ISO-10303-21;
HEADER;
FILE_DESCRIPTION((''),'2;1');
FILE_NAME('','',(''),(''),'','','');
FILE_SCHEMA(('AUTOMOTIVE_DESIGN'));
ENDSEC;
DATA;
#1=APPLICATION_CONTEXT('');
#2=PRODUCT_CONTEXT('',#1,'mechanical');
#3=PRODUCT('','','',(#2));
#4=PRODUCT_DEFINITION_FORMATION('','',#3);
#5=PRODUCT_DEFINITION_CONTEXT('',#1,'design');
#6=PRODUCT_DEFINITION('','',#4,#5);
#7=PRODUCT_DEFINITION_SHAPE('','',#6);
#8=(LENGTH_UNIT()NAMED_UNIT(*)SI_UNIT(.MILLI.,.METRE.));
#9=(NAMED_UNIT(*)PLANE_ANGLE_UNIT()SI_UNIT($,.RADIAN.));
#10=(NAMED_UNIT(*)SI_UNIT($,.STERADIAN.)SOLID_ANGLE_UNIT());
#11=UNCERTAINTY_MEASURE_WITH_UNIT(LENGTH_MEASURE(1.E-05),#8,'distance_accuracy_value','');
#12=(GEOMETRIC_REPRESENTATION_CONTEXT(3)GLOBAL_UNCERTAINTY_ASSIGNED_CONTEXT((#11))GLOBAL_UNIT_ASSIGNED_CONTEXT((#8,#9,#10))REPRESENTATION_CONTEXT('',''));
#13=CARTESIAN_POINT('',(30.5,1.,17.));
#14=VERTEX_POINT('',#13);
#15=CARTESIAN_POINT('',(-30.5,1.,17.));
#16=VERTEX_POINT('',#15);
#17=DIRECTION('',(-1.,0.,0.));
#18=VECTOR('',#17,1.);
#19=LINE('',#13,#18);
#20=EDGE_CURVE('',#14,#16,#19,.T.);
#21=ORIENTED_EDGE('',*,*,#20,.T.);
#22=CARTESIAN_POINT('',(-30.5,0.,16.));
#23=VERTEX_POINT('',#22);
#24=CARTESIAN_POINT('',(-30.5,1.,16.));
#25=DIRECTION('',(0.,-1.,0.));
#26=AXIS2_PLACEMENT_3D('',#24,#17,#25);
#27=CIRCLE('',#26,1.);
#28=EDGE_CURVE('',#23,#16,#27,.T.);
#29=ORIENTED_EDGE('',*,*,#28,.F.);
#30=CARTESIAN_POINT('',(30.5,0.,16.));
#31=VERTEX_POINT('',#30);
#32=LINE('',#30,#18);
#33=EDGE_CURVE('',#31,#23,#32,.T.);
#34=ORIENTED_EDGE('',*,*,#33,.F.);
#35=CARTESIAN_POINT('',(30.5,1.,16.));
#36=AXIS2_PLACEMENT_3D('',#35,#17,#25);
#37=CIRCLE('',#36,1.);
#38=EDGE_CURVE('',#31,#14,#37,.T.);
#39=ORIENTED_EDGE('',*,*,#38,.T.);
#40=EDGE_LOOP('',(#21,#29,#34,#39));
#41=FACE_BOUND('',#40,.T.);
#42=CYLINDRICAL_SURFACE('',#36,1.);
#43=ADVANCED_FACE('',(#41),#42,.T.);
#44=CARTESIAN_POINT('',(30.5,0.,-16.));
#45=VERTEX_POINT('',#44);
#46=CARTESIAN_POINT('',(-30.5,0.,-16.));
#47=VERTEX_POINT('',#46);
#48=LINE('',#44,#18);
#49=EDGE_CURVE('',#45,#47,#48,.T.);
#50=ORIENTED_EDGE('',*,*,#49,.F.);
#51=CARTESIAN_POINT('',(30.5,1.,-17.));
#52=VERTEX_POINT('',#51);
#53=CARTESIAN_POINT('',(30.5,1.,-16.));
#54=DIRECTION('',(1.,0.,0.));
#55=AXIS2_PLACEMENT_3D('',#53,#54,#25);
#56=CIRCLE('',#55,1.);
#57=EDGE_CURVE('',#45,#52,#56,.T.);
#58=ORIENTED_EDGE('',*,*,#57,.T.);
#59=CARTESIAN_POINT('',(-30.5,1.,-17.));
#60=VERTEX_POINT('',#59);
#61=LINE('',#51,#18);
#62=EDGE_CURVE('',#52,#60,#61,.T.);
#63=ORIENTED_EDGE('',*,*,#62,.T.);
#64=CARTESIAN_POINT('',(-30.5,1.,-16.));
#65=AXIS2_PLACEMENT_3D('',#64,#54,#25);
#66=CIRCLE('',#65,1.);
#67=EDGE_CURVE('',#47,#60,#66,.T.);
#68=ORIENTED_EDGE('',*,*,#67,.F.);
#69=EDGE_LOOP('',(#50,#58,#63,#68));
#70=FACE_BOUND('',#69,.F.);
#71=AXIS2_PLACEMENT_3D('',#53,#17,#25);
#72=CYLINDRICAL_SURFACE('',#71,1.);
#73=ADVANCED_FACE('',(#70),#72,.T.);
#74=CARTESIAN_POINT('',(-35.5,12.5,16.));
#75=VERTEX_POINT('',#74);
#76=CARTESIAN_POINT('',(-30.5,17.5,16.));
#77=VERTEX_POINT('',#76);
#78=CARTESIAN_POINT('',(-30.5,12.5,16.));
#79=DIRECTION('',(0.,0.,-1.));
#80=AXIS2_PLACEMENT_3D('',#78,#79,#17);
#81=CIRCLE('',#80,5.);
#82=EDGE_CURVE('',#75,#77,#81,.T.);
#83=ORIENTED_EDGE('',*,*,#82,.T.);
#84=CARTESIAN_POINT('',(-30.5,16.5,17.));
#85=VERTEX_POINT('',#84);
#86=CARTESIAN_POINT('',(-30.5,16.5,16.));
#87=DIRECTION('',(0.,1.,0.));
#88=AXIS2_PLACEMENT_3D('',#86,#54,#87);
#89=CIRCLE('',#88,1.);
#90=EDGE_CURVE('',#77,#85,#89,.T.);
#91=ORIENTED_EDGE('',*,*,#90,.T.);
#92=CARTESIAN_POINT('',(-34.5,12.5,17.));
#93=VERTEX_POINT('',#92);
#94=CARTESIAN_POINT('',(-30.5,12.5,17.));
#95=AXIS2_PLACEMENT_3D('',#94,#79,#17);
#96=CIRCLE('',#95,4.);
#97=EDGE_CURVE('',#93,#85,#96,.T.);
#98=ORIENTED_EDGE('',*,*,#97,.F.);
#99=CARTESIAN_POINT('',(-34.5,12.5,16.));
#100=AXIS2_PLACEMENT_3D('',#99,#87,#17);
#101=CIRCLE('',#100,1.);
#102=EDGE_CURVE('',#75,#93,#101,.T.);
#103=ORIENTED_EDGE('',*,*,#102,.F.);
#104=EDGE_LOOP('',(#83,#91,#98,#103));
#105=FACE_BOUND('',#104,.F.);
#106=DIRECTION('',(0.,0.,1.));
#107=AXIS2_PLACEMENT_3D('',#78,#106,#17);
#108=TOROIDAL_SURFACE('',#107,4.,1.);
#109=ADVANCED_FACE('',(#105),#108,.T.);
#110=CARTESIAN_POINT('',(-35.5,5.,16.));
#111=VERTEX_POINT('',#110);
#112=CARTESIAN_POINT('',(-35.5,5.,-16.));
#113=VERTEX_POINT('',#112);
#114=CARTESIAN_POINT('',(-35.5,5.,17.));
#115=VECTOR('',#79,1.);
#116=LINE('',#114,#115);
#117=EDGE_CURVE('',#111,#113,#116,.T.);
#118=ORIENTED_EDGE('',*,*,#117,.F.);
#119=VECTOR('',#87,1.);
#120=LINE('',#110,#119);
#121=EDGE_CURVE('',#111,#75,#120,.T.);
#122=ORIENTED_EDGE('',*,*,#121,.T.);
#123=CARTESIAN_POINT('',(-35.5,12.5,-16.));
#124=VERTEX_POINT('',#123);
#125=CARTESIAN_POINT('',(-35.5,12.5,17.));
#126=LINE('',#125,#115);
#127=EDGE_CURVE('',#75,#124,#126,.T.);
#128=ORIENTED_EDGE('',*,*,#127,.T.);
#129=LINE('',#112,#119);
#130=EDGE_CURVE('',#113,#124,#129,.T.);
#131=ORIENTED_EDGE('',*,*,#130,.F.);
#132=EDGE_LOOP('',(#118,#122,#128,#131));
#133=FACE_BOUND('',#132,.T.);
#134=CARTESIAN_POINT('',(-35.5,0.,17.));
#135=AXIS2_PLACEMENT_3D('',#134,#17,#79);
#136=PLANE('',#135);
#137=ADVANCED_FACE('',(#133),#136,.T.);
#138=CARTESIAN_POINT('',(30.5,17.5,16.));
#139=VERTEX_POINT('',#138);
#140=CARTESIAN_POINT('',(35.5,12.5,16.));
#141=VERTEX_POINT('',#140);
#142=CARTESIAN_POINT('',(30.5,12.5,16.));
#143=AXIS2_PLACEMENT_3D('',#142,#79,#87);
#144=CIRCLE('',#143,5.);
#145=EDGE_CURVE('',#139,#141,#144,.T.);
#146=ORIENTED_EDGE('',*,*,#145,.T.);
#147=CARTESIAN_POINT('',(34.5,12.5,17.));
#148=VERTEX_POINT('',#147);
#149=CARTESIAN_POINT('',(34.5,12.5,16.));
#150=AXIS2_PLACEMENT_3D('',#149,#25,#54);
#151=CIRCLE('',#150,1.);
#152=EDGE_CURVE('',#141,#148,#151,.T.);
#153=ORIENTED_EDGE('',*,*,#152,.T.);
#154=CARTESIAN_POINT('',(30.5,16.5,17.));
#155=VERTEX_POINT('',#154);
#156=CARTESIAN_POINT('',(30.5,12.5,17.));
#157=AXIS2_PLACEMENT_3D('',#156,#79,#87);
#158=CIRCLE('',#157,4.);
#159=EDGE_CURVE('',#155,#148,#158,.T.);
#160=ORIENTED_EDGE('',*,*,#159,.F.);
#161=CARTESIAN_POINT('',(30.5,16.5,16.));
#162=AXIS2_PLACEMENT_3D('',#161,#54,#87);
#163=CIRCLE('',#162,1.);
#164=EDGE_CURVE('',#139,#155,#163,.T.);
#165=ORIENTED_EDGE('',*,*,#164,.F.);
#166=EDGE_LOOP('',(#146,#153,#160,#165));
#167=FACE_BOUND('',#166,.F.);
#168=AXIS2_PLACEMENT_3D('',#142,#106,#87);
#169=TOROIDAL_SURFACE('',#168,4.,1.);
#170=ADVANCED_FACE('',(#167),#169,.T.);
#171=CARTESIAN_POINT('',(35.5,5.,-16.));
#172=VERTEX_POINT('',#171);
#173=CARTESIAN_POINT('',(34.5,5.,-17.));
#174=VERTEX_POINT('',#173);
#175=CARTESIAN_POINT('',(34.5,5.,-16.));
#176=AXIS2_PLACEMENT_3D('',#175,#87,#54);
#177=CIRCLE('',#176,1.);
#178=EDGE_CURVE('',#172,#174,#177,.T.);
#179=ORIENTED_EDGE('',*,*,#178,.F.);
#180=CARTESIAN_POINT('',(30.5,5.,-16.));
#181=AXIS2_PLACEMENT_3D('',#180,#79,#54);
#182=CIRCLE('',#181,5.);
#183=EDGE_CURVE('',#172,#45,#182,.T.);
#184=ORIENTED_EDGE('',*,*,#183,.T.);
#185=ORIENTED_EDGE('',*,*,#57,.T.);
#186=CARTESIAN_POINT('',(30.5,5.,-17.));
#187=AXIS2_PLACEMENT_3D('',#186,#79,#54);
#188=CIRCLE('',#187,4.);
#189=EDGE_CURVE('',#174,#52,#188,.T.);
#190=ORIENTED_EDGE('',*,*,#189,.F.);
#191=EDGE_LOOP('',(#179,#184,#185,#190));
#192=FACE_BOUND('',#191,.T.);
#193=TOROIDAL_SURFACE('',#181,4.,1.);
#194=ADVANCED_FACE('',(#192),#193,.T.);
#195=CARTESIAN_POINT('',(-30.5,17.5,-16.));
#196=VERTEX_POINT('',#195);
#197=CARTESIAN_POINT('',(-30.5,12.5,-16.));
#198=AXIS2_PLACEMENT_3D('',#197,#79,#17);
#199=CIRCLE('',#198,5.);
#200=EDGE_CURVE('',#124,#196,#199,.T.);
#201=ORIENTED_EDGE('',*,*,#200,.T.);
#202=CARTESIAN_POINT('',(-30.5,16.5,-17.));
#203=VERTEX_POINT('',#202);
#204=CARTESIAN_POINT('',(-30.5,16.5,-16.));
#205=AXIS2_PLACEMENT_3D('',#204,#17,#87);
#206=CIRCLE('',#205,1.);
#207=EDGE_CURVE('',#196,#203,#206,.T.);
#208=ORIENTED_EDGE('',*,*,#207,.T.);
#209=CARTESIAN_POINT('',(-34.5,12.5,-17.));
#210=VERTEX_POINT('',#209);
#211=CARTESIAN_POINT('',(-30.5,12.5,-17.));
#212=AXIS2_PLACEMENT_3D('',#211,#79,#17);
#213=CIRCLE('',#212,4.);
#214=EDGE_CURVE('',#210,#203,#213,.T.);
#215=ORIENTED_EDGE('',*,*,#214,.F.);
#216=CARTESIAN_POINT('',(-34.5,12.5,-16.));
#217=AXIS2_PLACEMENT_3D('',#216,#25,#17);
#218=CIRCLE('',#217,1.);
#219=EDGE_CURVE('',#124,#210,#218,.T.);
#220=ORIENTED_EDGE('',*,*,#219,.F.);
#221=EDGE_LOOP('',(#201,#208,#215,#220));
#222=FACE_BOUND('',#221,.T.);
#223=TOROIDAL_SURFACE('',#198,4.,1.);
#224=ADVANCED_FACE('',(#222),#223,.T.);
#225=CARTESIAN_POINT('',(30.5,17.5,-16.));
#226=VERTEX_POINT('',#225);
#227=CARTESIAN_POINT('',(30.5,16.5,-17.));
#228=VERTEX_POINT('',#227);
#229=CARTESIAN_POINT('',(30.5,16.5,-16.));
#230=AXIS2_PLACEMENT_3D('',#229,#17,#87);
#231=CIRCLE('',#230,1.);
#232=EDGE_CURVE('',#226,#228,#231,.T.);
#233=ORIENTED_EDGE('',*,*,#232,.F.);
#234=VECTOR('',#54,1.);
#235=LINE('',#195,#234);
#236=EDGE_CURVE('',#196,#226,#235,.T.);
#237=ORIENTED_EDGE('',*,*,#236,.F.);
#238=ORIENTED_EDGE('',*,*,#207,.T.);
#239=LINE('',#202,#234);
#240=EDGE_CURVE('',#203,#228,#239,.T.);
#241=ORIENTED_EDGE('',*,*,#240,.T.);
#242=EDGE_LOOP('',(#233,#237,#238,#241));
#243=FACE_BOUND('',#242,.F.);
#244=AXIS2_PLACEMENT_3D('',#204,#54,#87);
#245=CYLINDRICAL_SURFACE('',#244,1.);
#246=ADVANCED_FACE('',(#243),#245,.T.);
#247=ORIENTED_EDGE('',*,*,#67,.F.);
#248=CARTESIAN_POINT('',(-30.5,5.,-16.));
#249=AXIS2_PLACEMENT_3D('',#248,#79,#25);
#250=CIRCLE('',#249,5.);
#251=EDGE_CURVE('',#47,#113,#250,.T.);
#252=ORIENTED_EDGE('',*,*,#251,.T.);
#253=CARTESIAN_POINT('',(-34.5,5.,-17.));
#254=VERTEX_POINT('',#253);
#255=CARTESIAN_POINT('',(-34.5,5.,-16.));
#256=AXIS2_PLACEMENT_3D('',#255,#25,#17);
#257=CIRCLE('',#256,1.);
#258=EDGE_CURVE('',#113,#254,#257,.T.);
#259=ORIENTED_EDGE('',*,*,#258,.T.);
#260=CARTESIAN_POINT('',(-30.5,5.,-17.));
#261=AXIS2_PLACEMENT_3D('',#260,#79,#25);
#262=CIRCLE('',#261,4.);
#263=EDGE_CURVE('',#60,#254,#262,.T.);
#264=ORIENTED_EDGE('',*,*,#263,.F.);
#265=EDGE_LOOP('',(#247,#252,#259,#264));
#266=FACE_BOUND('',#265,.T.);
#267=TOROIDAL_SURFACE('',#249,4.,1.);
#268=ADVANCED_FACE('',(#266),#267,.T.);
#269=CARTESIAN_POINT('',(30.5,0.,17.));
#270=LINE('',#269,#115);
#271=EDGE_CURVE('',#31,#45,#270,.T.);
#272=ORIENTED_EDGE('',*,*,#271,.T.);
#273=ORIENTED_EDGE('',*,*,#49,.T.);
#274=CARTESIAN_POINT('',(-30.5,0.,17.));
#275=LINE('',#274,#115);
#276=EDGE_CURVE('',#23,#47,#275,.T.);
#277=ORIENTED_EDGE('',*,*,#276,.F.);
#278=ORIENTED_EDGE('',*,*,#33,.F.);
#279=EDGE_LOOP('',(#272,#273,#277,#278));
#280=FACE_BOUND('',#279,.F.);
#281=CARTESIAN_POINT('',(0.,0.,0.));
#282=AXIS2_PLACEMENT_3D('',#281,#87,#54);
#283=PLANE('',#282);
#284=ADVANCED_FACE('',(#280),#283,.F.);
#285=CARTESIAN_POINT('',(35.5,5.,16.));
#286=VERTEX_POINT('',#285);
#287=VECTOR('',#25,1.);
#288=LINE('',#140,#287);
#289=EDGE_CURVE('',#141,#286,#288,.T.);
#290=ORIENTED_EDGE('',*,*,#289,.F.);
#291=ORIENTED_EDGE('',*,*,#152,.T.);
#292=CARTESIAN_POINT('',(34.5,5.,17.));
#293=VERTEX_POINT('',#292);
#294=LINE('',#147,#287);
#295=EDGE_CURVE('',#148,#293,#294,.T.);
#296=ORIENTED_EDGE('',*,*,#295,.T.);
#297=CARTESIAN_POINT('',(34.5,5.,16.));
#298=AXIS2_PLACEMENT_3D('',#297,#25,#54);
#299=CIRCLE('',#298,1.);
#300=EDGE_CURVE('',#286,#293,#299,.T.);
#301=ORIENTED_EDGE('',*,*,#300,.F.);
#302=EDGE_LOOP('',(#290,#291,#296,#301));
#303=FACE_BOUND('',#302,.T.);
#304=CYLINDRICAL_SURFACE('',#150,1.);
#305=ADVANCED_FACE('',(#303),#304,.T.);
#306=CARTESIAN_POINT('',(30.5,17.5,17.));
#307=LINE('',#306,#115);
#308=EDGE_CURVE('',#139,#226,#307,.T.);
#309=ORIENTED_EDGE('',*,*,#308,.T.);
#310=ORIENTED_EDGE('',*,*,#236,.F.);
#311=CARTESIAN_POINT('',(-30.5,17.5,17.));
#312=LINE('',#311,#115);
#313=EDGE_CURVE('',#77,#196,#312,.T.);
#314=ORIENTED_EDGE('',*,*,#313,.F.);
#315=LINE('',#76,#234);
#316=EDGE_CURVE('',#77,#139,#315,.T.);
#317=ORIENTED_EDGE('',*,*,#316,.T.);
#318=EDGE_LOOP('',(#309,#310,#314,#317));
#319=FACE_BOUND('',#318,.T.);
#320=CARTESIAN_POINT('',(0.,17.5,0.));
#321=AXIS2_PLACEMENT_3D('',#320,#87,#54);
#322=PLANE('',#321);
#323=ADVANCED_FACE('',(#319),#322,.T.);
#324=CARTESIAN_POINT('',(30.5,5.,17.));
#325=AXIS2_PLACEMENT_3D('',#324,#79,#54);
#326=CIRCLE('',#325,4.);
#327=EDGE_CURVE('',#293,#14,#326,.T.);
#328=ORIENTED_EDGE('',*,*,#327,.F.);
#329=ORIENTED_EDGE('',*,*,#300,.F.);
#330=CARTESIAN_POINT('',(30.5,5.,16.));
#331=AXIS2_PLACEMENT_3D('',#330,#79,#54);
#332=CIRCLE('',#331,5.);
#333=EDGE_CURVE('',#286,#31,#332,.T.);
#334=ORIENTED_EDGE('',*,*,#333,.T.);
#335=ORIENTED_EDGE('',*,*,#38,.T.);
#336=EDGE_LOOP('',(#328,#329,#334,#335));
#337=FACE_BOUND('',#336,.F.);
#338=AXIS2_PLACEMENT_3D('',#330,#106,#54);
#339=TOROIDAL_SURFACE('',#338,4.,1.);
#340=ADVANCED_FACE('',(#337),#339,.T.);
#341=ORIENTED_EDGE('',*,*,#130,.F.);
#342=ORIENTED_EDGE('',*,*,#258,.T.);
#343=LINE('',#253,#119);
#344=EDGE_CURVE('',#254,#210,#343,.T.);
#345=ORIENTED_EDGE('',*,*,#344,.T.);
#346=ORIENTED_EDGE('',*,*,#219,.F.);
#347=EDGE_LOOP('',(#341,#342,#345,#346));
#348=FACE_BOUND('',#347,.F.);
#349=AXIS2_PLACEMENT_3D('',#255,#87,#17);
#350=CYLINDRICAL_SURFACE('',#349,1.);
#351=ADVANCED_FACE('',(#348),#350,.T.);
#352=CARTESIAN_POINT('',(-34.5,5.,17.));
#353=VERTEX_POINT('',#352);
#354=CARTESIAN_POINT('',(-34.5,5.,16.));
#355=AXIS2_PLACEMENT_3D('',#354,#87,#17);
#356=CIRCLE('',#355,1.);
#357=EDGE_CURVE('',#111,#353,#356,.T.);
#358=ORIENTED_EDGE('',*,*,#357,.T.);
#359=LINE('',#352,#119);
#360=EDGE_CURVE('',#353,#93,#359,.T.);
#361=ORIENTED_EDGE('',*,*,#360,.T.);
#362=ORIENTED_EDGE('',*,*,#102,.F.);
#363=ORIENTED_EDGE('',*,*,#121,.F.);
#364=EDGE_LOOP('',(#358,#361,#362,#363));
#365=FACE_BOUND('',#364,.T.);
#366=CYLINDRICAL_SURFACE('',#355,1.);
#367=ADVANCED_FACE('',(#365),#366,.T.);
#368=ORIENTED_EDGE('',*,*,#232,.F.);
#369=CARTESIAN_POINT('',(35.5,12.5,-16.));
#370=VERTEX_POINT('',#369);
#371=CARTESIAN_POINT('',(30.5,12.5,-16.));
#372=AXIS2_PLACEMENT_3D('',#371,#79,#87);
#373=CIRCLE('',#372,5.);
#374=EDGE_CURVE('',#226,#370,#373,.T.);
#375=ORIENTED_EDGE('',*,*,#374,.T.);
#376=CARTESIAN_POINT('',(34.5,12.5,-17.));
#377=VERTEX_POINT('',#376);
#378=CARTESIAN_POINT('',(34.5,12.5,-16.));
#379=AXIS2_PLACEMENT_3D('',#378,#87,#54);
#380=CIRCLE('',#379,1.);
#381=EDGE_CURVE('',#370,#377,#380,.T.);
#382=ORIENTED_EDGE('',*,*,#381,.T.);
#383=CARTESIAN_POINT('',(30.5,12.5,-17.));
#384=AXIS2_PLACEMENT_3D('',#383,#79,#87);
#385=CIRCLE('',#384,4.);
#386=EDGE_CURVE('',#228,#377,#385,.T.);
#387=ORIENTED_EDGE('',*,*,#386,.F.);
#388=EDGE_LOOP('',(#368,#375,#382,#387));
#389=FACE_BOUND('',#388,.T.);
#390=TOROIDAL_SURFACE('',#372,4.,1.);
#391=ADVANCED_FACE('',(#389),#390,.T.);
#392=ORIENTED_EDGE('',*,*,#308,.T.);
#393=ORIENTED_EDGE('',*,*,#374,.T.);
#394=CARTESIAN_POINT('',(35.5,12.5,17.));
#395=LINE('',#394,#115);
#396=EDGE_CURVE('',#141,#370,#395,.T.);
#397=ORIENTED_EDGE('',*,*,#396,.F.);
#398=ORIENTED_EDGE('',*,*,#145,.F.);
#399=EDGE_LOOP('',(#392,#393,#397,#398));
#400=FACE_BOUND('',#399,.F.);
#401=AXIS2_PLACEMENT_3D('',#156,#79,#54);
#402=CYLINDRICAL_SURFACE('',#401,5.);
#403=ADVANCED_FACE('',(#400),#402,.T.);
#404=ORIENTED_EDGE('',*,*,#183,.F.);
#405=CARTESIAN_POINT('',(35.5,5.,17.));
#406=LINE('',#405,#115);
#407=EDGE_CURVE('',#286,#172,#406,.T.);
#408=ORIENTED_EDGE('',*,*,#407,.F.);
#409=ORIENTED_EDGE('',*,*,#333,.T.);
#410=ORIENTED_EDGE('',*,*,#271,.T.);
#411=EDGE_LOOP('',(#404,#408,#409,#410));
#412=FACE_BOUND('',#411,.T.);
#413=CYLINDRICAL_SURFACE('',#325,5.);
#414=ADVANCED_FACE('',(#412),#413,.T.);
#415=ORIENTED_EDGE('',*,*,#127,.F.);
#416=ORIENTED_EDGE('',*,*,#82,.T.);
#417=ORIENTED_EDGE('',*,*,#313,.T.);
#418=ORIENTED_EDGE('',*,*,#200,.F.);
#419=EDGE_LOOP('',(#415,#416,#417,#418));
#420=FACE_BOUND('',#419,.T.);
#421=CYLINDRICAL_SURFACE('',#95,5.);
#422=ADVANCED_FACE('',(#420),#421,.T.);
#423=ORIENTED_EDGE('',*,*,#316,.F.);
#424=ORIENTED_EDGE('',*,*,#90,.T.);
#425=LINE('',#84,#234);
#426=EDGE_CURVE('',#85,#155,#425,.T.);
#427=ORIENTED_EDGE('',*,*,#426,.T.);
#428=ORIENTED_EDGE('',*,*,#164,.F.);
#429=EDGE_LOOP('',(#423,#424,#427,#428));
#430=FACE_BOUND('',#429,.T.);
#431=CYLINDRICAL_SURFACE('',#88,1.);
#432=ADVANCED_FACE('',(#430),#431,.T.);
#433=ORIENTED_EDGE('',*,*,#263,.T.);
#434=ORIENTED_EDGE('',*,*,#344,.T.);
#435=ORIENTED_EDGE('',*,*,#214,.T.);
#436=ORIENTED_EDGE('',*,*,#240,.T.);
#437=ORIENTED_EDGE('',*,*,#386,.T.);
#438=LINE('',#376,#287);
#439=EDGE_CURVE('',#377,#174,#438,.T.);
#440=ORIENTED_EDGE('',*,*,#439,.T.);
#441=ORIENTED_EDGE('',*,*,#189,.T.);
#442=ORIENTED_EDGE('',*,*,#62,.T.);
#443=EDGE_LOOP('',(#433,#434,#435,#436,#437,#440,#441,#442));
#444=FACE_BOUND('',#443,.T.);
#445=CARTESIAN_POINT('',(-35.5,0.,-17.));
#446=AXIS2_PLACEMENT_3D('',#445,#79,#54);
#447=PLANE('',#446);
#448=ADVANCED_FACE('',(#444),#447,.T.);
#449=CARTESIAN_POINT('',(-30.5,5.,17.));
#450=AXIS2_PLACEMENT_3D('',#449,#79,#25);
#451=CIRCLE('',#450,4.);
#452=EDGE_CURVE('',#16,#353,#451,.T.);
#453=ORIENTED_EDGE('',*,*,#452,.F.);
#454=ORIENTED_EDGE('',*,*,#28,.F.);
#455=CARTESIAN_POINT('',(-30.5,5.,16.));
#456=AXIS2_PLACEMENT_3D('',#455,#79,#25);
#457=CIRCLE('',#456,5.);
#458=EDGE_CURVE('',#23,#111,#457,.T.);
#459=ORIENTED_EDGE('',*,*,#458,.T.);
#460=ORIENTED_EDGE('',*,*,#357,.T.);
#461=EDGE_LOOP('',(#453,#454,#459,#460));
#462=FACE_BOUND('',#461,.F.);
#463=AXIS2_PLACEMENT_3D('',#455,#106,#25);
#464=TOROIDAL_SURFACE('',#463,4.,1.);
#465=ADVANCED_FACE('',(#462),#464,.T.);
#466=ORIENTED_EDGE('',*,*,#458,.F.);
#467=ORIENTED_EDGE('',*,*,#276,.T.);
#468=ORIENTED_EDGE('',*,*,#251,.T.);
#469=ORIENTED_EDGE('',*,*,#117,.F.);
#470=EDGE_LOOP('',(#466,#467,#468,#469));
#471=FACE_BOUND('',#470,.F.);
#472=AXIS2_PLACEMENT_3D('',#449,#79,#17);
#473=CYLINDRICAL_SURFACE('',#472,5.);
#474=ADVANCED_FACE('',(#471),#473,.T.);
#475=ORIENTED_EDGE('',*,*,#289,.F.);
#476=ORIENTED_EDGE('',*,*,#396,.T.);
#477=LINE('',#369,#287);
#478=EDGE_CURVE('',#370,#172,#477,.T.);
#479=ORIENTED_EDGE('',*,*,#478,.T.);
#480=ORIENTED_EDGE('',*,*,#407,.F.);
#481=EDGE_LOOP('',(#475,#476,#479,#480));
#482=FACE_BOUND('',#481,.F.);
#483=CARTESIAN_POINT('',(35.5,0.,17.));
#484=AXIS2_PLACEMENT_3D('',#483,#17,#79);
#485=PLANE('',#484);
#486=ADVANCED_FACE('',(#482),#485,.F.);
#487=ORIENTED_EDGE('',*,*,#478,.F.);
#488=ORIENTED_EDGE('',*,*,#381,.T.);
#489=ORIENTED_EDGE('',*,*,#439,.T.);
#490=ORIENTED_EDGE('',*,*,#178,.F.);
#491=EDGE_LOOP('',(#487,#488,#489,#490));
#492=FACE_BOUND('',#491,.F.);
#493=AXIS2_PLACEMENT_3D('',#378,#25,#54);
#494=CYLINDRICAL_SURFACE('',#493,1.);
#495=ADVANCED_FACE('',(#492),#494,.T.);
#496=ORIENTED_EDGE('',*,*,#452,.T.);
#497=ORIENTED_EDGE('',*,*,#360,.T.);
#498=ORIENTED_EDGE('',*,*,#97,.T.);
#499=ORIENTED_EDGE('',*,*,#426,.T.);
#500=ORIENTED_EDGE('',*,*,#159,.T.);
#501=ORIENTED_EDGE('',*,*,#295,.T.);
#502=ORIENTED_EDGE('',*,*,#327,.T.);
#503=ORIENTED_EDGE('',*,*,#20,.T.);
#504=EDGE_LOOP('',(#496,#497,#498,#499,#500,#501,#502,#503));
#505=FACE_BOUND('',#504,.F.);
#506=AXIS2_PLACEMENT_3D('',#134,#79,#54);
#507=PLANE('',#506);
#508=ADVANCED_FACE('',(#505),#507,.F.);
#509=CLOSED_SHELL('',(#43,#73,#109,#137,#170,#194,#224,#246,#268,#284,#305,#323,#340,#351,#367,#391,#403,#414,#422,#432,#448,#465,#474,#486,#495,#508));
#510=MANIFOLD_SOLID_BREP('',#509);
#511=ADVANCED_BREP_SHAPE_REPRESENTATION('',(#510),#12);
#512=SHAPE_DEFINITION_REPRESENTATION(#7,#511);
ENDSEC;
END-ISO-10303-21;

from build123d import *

# Parameters (mm, degrees)
SKETCH1_W           = 71
SKETCH1_H           = 34
BOSS_EXTRUDE1_DEPTH = 17.5
FILLET1_R           = 5
FILLET2_R           = 1


with BuildPart() as part:
    # Sketch1 → Boss-Extrude1 (new body)
    with BuildSketch(Plane(origin=(0, 0, 0), x_dir=(1, 0, 0), z_dir=(0, 1, 0))):
        Rectangle(SKETCH1_W, SKETCH1_H)
    extrude(amount=BOSS_EXTRUDE1_DEPTH)

    # Fillet1
    fillet1_edges = [part.edges().sort_by_distance(p)[0] for p in [
        (-35.5, 17.5, 0),
        (35.5, 17.5, 0),
        (-35.5, 0, 0),
        (35.5, 0, 0),
    ]]
    fillet(fillet1_edges, radius=FILLET1_R)

    # Fillet2
    fillet2_edges = [part.edges().sort_by_distance(p)[0] for p in [
        (-35.5, 8.75, 17),
        (-35.5, 8.75, -17),
        (0, 0, 17),
        (35.5, 8.75, 17),
        (0, 17.5, 17),
        (-34.035533906, 16.035533906, 17),
        (34.035533906, 16.035533906, 17),
        (34.035533906, 1.464466094, 17),
        (-34.035533906, 1.464466094, 17),
        (0, 0, -17),
        (0, 17.5, -17),
        (35.5, 8.75, -17),
        (-34.035533906, 16.035533906, -17),
        (34.035533906, 16.035533906, -17),
        (34.035533906, 1.464466094, -17),
        (-34.035533906, 1.464466094, -17),
    ]]
    fillet(fillet2_edges, radius=FILLET2_R)


solid = part.part
